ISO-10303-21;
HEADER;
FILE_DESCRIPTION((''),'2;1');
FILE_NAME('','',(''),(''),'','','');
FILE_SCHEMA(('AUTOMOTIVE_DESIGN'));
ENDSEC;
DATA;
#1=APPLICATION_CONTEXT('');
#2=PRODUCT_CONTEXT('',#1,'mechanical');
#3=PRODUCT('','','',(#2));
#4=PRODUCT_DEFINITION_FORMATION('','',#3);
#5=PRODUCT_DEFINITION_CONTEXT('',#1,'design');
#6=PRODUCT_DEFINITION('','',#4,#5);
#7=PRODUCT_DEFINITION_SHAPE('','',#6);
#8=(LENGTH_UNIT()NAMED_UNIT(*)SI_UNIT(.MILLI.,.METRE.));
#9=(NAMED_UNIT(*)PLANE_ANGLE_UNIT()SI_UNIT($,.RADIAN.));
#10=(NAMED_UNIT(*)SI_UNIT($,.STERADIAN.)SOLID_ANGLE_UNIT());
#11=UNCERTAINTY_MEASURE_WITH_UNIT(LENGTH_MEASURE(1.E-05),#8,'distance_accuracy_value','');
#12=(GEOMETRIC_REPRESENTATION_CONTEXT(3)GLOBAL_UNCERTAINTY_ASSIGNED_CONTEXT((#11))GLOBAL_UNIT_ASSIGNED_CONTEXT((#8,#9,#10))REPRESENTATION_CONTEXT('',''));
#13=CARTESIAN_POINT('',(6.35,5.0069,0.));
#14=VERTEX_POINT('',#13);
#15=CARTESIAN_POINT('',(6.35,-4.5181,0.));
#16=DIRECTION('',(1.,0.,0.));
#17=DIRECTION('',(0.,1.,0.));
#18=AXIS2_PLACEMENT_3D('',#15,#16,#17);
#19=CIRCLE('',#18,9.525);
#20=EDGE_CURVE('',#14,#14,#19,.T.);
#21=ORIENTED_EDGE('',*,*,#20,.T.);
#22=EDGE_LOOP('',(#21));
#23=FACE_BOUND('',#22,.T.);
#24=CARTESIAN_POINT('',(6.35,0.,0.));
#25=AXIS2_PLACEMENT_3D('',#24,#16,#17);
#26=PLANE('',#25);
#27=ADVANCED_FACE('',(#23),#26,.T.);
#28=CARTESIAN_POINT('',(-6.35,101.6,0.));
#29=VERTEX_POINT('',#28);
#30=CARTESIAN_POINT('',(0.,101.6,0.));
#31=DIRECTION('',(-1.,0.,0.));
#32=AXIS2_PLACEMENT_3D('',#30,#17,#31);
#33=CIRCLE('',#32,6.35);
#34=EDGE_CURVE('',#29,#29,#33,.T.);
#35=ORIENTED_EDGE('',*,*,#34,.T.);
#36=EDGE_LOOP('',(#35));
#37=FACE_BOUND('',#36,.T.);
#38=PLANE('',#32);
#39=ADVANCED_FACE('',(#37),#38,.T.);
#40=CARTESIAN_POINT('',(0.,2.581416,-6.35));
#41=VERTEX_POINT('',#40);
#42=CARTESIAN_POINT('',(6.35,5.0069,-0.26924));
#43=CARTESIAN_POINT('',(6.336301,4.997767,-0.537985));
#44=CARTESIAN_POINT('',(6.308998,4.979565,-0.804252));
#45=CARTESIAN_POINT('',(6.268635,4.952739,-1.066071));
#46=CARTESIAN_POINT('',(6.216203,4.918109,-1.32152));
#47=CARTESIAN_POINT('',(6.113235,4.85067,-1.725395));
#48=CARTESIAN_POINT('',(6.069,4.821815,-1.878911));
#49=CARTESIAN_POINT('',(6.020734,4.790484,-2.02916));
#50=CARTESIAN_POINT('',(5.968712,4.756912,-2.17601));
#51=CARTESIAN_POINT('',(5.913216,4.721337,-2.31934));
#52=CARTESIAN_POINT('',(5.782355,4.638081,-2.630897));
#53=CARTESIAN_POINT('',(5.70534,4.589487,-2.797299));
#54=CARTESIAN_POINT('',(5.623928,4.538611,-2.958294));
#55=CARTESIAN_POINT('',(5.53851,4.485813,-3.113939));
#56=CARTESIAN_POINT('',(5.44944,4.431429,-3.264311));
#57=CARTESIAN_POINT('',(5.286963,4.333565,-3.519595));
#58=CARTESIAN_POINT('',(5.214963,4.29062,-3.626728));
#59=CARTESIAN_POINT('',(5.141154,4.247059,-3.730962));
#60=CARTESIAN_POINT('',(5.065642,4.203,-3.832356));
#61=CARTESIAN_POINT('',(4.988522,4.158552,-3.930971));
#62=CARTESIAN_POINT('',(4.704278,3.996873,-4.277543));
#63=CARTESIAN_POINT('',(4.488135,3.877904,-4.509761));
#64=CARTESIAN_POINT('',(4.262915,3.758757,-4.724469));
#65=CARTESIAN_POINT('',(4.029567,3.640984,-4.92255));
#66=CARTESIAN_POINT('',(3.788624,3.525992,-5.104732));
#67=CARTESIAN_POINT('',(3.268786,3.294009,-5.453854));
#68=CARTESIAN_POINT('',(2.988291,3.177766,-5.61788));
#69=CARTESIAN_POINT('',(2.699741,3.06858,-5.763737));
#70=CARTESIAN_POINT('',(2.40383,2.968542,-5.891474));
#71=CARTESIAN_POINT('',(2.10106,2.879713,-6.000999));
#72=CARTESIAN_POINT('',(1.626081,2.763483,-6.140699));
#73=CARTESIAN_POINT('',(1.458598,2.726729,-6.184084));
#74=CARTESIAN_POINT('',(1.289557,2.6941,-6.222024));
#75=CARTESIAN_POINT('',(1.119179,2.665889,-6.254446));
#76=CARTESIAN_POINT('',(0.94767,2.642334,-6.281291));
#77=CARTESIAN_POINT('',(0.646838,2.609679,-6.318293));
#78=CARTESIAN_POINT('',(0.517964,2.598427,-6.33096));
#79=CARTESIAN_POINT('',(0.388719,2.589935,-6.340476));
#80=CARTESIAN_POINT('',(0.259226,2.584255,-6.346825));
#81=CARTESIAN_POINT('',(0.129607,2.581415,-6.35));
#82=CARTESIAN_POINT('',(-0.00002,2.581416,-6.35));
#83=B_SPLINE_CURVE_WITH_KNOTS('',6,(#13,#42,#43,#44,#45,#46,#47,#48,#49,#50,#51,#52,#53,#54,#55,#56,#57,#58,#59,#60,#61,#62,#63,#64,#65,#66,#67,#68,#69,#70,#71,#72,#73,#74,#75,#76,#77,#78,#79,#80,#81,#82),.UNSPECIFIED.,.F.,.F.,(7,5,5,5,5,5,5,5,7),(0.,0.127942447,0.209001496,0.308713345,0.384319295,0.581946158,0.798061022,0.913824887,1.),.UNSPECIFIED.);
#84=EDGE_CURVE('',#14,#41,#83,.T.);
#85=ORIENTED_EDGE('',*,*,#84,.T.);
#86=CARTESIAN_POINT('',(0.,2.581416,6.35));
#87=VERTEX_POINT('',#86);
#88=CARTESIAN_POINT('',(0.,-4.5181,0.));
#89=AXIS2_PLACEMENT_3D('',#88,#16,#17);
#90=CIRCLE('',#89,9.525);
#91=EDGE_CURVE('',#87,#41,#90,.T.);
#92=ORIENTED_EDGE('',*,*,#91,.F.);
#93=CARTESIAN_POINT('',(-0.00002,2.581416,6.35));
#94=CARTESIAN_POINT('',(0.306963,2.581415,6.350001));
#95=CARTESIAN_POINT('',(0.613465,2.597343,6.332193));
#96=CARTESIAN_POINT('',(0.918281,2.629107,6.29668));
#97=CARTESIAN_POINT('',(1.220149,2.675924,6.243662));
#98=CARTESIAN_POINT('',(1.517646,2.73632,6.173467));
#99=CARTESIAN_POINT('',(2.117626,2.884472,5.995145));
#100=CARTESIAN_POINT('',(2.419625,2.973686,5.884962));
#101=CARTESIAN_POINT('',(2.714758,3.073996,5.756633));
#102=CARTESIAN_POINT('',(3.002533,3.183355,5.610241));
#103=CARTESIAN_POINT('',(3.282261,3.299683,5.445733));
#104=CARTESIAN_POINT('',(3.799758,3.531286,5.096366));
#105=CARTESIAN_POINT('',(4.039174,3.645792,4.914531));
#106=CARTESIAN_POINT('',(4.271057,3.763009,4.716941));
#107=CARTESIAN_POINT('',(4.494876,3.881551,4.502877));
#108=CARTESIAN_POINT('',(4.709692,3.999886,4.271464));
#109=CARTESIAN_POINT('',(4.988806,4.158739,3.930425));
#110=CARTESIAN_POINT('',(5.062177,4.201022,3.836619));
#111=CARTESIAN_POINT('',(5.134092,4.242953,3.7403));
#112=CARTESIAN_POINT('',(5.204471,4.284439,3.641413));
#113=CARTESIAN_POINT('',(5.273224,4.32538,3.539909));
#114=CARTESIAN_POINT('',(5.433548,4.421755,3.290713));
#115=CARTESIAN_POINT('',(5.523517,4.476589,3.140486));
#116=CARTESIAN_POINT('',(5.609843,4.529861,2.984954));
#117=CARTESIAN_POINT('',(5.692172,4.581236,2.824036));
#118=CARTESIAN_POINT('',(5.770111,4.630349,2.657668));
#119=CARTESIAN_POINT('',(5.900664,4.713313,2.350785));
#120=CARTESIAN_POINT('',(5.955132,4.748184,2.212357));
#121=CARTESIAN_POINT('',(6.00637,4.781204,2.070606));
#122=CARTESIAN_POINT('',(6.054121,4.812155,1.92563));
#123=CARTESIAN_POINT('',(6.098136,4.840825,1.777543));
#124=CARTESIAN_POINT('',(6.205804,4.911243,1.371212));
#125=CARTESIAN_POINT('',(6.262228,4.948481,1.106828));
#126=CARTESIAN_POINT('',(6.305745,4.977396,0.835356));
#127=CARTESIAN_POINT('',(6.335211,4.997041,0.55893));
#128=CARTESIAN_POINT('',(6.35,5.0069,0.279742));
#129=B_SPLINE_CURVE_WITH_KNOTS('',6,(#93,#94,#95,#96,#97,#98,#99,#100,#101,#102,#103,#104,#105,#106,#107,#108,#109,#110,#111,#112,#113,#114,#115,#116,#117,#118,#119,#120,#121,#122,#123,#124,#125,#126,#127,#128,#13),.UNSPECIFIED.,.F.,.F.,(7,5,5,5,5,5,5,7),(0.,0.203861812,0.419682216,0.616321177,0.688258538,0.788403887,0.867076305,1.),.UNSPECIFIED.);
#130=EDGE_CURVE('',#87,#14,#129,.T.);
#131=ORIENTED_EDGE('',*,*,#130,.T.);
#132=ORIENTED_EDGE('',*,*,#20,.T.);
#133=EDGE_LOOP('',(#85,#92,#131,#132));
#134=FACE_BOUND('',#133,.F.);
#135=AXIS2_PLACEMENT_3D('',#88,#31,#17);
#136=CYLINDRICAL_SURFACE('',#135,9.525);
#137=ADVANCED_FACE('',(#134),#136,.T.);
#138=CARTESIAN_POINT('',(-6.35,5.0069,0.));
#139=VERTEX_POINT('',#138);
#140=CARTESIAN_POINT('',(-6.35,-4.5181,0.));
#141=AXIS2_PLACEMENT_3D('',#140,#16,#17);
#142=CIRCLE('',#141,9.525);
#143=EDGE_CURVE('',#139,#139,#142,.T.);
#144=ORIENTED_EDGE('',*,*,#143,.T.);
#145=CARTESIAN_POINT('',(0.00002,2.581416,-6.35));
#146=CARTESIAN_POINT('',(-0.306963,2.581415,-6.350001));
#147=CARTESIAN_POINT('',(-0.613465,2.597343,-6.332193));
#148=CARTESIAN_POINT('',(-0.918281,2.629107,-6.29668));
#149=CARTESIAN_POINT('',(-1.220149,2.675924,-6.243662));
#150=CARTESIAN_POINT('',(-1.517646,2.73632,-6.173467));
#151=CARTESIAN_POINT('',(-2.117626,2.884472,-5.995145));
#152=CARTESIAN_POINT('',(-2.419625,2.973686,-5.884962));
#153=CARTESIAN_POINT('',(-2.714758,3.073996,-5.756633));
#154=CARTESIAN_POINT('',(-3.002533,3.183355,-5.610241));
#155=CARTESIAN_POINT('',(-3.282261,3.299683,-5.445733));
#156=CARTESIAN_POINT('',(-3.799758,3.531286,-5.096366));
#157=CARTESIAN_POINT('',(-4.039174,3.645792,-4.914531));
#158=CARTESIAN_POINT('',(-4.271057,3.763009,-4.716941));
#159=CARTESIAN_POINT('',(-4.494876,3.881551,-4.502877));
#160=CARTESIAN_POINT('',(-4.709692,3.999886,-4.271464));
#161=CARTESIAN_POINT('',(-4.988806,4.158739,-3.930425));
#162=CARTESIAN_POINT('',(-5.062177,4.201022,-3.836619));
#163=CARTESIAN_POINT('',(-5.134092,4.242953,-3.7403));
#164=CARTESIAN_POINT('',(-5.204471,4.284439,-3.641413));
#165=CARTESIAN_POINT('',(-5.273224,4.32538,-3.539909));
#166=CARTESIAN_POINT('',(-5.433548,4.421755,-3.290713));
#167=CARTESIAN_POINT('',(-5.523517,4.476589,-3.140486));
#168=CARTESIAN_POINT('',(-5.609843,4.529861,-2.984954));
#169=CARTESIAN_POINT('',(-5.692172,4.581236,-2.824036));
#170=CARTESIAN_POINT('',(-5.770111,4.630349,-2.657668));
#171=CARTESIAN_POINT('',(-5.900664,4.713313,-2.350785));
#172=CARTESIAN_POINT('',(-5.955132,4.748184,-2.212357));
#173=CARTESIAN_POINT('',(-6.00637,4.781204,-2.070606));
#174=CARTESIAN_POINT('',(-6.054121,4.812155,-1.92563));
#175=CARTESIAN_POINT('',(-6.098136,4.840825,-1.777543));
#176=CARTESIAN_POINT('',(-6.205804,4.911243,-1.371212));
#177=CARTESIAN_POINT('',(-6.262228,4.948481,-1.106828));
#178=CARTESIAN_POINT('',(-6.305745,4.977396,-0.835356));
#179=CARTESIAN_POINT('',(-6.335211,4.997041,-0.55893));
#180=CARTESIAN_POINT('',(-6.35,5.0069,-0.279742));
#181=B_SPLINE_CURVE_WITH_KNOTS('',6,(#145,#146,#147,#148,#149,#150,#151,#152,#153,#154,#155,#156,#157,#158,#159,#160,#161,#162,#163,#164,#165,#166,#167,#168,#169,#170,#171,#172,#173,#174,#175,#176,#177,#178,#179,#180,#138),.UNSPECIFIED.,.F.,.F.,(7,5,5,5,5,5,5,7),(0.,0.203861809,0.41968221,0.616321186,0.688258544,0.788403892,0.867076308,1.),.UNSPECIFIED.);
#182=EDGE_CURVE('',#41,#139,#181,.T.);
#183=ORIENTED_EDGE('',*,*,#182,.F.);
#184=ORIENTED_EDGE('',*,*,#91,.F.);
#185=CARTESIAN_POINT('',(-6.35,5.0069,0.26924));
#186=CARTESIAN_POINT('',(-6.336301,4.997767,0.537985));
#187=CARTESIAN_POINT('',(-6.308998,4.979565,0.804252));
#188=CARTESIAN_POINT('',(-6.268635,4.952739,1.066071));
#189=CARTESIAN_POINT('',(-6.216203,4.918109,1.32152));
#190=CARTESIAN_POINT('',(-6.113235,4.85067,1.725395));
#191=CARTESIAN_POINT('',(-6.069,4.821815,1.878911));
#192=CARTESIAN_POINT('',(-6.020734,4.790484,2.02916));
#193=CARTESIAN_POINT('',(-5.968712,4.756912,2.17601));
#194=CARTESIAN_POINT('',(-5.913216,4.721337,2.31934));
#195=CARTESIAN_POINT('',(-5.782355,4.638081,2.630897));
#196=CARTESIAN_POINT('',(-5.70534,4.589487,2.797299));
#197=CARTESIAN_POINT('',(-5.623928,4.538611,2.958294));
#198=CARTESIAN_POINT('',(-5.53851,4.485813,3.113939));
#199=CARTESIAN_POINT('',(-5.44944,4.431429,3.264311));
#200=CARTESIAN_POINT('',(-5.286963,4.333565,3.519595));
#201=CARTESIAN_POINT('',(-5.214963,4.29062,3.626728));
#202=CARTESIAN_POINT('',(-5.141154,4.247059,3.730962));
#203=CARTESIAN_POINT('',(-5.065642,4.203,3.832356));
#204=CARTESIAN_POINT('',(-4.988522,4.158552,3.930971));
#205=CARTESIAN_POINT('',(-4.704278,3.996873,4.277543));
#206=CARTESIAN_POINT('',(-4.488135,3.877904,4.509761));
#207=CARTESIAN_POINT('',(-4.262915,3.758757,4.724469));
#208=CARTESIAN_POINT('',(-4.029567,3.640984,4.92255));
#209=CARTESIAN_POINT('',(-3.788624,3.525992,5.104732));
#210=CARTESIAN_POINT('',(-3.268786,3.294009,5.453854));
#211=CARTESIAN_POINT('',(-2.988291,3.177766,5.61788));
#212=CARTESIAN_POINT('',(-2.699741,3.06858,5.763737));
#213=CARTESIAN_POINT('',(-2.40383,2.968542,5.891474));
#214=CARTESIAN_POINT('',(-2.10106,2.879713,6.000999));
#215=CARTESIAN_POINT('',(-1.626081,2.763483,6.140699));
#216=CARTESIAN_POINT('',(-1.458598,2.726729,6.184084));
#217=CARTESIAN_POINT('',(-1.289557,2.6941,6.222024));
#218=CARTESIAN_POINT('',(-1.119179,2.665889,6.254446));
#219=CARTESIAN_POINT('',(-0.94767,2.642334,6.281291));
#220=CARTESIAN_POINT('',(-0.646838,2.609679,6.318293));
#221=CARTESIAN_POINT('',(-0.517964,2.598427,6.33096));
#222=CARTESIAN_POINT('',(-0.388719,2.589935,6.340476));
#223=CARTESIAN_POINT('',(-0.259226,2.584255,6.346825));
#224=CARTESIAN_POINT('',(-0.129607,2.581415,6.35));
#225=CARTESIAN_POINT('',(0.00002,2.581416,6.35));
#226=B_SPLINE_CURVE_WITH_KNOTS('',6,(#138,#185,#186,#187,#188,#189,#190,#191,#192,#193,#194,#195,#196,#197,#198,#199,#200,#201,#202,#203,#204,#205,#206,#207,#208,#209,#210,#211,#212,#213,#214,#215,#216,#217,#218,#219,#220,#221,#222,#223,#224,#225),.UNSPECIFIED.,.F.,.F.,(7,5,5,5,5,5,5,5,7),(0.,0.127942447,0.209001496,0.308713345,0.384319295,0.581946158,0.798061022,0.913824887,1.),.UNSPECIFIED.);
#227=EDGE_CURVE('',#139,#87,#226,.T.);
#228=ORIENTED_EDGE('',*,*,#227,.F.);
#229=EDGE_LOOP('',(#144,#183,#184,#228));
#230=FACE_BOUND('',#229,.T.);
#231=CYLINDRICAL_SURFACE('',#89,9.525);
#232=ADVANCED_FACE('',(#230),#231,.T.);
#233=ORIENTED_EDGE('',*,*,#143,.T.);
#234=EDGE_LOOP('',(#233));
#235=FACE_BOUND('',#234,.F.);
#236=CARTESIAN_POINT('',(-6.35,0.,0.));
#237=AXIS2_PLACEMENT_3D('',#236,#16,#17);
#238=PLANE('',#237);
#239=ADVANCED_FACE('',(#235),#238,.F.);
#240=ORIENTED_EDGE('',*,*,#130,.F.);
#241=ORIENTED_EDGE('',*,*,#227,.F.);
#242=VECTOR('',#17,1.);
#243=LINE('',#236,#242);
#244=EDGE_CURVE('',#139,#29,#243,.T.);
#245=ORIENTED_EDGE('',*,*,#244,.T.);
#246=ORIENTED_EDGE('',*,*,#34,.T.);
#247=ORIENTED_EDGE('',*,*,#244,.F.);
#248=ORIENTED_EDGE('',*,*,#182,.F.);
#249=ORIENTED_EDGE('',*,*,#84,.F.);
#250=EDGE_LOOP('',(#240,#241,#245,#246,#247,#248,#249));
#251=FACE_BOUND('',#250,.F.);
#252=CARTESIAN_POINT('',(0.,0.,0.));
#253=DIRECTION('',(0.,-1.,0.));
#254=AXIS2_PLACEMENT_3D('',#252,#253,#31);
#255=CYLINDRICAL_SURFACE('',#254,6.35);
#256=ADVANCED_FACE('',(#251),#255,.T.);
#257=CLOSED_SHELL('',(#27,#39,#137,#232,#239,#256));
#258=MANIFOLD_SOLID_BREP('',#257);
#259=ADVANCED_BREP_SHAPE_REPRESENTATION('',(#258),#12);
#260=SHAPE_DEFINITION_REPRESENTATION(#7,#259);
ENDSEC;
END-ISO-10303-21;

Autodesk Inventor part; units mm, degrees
ref_plane "YZ Plane" through (0, 0, 0) normal (1, 0, 0) x (0, 1, 0)
ref_plane "XZ Plane" through (0, 0, 0) normal (0, 1, 0) x (-1, 0, 0)
ref_plane "XY Plane" through (0, 0, 0) normal (0, 0, 1) x (1, 0, 0)
sketch "Sketch1" plane through (0, 0, 0) normal (0, 1, 0) x (-1, 0, 0)
  circle A0 centre (0, 0) radius 6.35
  dimension "d0" = 12.7
extrude "Extrusion1" add sketch "Sketch1" along normal blind 101.6
sketch "Sketch3" plane through (0, 0, 0) normal (1, 0, 0) x (0, 1, 0)
  circle A0 centre (-4.5181, 0) radius 9.525
  line L0 (0, 6.35) -> (0, -6.35) projected
  point P0 (0, 0)
  dimension "d6" = 19.05
  dimension "d7" = 4.5181
  dimension "d9" = 7.7933
extrude "Extrusion3" add sketch "Sketch3" along normal mid plane 12.7
properties part number "moving ball thing"
